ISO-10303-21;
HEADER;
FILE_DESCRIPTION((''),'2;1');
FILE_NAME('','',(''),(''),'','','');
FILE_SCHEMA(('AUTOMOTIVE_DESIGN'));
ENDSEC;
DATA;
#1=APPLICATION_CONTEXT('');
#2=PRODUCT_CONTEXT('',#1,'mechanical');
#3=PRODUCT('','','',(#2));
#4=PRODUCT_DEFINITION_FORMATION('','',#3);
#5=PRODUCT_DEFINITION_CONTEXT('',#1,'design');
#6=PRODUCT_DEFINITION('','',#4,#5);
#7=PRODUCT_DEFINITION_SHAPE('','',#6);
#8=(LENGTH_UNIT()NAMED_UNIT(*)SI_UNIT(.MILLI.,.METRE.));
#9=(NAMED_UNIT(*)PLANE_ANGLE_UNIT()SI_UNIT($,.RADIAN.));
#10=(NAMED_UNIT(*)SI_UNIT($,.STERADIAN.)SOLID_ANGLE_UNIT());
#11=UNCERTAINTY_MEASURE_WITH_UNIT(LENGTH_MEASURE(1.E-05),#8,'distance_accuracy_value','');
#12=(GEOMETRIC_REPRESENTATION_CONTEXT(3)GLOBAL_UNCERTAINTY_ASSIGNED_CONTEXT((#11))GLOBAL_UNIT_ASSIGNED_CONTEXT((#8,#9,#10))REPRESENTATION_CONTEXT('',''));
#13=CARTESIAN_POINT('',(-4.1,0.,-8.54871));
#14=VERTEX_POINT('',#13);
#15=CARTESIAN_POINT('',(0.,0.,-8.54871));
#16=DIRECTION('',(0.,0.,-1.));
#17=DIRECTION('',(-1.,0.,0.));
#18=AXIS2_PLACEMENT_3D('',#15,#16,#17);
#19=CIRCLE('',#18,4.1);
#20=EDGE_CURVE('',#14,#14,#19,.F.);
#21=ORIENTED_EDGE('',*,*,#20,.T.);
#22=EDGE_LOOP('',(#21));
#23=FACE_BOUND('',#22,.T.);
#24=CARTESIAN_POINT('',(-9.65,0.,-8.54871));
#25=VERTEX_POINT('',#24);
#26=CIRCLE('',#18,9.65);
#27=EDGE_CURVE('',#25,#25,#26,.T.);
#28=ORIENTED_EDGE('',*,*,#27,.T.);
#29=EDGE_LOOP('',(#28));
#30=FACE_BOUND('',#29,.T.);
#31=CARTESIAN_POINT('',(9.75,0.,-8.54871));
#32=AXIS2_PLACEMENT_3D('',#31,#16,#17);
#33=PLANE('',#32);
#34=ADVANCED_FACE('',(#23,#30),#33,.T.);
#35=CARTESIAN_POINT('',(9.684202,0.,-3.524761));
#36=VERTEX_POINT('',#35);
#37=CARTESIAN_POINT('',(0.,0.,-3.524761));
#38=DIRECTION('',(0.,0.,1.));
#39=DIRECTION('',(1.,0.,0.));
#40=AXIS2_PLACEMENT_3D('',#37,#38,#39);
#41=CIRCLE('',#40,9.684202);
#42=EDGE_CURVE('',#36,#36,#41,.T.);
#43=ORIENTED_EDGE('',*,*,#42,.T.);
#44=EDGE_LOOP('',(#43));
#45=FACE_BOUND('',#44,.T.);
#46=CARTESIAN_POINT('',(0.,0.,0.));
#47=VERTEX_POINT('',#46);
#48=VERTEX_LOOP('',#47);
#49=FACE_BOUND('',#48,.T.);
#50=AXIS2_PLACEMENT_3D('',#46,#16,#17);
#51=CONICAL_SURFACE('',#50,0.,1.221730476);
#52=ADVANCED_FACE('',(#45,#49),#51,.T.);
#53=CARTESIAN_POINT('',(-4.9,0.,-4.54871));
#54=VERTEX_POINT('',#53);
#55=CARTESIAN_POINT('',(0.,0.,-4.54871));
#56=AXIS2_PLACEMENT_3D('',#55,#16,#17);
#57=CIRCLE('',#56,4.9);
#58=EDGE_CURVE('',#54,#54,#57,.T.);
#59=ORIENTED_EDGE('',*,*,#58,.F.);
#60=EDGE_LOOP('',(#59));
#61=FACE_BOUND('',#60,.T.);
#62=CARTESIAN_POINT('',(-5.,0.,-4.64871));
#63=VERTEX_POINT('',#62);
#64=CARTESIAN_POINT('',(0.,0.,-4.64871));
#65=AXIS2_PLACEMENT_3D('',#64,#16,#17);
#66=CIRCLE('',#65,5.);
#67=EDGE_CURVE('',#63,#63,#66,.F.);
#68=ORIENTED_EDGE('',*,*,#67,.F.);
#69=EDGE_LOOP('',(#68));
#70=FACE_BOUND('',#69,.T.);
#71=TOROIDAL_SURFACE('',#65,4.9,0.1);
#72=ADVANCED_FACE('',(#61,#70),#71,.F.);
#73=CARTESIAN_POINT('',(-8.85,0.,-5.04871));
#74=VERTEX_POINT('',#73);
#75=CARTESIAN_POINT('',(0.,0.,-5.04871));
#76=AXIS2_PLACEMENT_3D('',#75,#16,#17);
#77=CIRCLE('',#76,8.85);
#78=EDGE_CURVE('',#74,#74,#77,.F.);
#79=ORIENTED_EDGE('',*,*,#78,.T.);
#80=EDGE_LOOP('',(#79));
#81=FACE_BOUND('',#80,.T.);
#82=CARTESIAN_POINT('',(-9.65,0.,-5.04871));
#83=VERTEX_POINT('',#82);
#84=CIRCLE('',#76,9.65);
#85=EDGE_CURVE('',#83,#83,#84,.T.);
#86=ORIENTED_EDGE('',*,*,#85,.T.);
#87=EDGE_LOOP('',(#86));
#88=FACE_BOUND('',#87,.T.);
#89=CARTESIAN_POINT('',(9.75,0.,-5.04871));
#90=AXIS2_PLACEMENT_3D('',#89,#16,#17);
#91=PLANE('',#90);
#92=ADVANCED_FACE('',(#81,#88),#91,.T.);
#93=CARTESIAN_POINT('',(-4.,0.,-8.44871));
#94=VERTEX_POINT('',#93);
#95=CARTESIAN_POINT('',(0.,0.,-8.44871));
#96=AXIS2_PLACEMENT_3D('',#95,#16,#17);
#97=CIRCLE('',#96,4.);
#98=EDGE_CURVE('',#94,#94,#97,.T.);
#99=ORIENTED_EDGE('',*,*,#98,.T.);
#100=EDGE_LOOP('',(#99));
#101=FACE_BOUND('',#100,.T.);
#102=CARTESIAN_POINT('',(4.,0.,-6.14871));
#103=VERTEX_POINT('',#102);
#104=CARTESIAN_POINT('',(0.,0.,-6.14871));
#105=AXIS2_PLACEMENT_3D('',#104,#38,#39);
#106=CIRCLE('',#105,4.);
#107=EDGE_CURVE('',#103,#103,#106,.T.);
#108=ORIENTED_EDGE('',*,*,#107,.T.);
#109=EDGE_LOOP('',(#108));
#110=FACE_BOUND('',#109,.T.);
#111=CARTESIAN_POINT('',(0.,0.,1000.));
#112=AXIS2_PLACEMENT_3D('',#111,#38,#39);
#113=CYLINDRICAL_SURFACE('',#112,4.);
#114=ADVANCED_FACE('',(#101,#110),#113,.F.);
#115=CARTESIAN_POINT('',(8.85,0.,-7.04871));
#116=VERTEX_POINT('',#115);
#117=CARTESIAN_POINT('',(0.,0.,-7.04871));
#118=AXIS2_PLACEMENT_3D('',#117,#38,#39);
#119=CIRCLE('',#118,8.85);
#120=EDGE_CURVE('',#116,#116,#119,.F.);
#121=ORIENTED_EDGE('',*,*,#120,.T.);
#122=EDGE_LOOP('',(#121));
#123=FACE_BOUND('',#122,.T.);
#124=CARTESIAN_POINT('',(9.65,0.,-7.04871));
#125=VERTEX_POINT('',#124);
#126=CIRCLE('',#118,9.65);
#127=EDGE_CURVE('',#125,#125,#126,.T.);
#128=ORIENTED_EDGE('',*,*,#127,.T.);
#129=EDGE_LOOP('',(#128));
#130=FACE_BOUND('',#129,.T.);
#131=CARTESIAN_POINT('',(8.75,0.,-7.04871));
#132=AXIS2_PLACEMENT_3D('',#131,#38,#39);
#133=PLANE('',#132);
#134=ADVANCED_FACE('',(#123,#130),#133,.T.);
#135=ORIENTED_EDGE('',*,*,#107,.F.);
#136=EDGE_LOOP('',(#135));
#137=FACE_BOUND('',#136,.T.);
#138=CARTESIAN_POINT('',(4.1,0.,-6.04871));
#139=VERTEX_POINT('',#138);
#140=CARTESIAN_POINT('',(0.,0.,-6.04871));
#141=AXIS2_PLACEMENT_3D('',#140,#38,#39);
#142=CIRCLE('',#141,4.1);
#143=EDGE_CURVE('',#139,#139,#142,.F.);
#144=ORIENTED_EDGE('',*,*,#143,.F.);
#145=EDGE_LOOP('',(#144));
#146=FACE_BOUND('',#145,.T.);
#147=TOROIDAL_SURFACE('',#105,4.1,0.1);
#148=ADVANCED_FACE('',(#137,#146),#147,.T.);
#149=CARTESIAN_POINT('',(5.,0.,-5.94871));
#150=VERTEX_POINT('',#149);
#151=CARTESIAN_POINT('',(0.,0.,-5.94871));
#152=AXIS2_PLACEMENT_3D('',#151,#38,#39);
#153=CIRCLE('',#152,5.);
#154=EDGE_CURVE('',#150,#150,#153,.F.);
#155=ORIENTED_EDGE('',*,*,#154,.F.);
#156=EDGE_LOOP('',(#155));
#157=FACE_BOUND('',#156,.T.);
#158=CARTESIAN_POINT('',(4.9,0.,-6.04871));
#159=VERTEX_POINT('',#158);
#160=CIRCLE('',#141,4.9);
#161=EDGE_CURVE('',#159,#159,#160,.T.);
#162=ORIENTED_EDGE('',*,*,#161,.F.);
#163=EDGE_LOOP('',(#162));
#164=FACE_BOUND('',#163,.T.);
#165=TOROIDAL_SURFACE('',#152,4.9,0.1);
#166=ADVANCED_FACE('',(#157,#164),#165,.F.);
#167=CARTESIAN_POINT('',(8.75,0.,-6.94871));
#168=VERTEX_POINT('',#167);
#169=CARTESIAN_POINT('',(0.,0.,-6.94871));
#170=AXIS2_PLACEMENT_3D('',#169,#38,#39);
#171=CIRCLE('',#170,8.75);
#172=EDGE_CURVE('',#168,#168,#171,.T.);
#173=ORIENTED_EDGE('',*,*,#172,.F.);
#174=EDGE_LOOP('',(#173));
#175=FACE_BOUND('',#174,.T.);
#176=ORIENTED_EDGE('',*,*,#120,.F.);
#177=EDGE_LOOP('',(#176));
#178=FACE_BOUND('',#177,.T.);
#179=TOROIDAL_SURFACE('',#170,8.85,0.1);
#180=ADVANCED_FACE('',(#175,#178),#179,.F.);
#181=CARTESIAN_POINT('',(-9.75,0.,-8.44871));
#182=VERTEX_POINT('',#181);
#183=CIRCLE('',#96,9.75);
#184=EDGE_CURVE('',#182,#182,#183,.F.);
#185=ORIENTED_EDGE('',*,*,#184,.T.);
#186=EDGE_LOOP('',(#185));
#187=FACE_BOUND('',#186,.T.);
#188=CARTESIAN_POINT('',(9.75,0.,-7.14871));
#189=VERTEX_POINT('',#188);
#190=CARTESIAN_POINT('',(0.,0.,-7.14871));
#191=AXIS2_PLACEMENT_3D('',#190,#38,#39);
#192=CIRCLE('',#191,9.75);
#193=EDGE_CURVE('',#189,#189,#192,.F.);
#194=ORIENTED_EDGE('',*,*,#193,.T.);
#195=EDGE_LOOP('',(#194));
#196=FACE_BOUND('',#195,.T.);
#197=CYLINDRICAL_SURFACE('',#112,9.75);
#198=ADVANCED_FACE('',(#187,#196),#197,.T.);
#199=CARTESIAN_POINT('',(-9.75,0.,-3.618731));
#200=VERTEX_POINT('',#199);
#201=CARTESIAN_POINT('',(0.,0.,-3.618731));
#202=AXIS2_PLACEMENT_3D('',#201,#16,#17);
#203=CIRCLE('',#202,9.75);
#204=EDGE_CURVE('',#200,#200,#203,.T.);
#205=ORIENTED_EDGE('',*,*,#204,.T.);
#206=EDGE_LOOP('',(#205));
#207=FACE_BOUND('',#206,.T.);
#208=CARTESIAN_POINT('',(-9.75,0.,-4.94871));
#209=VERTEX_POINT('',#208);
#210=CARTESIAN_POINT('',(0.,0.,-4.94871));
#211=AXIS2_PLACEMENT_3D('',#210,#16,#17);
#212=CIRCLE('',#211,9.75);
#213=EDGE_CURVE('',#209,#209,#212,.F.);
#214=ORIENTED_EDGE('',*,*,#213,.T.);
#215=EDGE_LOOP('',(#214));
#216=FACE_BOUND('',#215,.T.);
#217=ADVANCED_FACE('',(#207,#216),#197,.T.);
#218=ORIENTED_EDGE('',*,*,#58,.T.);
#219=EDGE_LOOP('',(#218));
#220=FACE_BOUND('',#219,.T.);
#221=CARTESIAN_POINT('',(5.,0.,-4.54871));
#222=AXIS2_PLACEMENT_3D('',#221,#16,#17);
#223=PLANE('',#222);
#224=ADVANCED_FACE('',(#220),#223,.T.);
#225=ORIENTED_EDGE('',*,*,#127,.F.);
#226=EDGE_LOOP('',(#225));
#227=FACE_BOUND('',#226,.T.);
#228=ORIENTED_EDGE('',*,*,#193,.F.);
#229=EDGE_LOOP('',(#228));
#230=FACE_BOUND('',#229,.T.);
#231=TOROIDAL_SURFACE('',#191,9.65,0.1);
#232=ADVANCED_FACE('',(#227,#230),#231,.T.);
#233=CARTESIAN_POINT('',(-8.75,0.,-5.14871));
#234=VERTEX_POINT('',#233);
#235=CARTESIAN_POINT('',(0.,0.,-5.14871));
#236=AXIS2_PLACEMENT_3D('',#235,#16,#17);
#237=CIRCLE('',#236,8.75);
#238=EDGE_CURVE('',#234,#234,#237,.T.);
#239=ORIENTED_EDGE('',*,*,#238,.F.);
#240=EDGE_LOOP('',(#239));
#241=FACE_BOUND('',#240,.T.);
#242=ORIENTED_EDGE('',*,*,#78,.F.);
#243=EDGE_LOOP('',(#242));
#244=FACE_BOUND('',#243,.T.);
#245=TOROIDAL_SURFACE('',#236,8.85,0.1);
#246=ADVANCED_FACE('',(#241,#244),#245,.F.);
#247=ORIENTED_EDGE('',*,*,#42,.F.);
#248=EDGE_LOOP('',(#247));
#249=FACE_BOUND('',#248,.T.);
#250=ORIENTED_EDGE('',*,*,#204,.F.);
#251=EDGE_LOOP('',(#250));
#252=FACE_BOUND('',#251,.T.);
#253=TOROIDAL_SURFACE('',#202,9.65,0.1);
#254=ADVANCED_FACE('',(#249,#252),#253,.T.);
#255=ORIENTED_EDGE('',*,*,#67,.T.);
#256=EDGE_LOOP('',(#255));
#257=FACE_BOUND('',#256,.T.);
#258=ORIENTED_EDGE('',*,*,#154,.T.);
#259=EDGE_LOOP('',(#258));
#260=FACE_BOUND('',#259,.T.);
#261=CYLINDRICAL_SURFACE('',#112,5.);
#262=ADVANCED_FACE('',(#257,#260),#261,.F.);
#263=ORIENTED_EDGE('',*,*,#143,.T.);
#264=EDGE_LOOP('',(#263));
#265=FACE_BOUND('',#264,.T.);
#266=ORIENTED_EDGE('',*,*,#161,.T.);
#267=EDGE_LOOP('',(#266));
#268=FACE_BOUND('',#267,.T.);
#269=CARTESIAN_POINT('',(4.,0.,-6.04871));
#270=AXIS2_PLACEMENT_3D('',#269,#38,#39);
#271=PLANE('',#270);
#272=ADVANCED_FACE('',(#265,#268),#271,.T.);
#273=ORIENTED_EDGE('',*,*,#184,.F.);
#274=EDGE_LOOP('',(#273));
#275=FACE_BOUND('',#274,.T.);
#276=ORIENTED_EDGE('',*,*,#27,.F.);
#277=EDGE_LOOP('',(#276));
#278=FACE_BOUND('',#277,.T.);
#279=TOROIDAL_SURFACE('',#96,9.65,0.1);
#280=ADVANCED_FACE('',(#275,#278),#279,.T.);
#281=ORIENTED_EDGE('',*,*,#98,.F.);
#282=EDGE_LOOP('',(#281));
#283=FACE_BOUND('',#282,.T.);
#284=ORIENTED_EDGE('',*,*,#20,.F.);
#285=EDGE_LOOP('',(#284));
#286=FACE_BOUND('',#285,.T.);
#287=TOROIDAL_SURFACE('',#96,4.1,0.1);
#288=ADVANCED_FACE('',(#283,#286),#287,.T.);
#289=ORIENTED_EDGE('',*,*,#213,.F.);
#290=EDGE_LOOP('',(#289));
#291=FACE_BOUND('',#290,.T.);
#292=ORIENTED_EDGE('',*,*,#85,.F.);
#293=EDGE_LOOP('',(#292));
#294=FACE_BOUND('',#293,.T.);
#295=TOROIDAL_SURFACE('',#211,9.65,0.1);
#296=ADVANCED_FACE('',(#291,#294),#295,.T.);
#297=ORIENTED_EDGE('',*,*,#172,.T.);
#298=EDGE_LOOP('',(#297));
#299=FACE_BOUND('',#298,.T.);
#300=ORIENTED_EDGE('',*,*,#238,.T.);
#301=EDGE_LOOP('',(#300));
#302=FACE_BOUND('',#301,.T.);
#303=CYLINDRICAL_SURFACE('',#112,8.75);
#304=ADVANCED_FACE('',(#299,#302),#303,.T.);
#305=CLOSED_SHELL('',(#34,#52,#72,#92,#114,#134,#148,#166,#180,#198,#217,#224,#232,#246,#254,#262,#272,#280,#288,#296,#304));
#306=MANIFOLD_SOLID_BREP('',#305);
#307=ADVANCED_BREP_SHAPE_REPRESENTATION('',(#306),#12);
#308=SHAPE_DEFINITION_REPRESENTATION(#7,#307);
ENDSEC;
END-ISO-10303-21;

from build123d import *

# Parameters (mm, degrees)
FILLET1_R = 0.1


with BuildPart() as part:
    # Sketch1 → Revolve1 (revolve)
    with BuildSketch(Plane(origin=(0, 0, 0), x_dir=(1, 0, 0), z_dir=(0, 1, 0))):
        Polygon((9.75, 3.548709784), (9.75, 5.048709784), (8.75, 5.048709784), (8.75, 7.048709784), (9.75, 7.048709784), (9.75, 8.548709784), (4, 8.548709784), (4, 6.048709784), (5, 6.048709784), (5, 4.548709784), (0, 4.548709784), (0, 0), align=None)
    revolve(axis=Axis((0, 0, 1000), (0, 0, -1)))

    # Fillet1
    fillet1_edges = [part.edges().sort_by_distance(p)[0] for p in [
        (-5, 0, -4.548709784),
        (-5, 0, -6.048709784),
        (-4, 0, -6.048709784),
        (-4, 0, -8.548709784),
        (-9.75, 0, -8.548709784),
        (-9.75, 0, -7.048709784),
        (-8.75, 0, -7.048709784),
        (-8.75, 0, -5.048709784),
        (-9.75, 0, -5.048709784),
        (-9.75, 0, -3.548709784),
    ]]
    fillet(fillet1_edges, radius=FILLET1_R)


solid = part.part
